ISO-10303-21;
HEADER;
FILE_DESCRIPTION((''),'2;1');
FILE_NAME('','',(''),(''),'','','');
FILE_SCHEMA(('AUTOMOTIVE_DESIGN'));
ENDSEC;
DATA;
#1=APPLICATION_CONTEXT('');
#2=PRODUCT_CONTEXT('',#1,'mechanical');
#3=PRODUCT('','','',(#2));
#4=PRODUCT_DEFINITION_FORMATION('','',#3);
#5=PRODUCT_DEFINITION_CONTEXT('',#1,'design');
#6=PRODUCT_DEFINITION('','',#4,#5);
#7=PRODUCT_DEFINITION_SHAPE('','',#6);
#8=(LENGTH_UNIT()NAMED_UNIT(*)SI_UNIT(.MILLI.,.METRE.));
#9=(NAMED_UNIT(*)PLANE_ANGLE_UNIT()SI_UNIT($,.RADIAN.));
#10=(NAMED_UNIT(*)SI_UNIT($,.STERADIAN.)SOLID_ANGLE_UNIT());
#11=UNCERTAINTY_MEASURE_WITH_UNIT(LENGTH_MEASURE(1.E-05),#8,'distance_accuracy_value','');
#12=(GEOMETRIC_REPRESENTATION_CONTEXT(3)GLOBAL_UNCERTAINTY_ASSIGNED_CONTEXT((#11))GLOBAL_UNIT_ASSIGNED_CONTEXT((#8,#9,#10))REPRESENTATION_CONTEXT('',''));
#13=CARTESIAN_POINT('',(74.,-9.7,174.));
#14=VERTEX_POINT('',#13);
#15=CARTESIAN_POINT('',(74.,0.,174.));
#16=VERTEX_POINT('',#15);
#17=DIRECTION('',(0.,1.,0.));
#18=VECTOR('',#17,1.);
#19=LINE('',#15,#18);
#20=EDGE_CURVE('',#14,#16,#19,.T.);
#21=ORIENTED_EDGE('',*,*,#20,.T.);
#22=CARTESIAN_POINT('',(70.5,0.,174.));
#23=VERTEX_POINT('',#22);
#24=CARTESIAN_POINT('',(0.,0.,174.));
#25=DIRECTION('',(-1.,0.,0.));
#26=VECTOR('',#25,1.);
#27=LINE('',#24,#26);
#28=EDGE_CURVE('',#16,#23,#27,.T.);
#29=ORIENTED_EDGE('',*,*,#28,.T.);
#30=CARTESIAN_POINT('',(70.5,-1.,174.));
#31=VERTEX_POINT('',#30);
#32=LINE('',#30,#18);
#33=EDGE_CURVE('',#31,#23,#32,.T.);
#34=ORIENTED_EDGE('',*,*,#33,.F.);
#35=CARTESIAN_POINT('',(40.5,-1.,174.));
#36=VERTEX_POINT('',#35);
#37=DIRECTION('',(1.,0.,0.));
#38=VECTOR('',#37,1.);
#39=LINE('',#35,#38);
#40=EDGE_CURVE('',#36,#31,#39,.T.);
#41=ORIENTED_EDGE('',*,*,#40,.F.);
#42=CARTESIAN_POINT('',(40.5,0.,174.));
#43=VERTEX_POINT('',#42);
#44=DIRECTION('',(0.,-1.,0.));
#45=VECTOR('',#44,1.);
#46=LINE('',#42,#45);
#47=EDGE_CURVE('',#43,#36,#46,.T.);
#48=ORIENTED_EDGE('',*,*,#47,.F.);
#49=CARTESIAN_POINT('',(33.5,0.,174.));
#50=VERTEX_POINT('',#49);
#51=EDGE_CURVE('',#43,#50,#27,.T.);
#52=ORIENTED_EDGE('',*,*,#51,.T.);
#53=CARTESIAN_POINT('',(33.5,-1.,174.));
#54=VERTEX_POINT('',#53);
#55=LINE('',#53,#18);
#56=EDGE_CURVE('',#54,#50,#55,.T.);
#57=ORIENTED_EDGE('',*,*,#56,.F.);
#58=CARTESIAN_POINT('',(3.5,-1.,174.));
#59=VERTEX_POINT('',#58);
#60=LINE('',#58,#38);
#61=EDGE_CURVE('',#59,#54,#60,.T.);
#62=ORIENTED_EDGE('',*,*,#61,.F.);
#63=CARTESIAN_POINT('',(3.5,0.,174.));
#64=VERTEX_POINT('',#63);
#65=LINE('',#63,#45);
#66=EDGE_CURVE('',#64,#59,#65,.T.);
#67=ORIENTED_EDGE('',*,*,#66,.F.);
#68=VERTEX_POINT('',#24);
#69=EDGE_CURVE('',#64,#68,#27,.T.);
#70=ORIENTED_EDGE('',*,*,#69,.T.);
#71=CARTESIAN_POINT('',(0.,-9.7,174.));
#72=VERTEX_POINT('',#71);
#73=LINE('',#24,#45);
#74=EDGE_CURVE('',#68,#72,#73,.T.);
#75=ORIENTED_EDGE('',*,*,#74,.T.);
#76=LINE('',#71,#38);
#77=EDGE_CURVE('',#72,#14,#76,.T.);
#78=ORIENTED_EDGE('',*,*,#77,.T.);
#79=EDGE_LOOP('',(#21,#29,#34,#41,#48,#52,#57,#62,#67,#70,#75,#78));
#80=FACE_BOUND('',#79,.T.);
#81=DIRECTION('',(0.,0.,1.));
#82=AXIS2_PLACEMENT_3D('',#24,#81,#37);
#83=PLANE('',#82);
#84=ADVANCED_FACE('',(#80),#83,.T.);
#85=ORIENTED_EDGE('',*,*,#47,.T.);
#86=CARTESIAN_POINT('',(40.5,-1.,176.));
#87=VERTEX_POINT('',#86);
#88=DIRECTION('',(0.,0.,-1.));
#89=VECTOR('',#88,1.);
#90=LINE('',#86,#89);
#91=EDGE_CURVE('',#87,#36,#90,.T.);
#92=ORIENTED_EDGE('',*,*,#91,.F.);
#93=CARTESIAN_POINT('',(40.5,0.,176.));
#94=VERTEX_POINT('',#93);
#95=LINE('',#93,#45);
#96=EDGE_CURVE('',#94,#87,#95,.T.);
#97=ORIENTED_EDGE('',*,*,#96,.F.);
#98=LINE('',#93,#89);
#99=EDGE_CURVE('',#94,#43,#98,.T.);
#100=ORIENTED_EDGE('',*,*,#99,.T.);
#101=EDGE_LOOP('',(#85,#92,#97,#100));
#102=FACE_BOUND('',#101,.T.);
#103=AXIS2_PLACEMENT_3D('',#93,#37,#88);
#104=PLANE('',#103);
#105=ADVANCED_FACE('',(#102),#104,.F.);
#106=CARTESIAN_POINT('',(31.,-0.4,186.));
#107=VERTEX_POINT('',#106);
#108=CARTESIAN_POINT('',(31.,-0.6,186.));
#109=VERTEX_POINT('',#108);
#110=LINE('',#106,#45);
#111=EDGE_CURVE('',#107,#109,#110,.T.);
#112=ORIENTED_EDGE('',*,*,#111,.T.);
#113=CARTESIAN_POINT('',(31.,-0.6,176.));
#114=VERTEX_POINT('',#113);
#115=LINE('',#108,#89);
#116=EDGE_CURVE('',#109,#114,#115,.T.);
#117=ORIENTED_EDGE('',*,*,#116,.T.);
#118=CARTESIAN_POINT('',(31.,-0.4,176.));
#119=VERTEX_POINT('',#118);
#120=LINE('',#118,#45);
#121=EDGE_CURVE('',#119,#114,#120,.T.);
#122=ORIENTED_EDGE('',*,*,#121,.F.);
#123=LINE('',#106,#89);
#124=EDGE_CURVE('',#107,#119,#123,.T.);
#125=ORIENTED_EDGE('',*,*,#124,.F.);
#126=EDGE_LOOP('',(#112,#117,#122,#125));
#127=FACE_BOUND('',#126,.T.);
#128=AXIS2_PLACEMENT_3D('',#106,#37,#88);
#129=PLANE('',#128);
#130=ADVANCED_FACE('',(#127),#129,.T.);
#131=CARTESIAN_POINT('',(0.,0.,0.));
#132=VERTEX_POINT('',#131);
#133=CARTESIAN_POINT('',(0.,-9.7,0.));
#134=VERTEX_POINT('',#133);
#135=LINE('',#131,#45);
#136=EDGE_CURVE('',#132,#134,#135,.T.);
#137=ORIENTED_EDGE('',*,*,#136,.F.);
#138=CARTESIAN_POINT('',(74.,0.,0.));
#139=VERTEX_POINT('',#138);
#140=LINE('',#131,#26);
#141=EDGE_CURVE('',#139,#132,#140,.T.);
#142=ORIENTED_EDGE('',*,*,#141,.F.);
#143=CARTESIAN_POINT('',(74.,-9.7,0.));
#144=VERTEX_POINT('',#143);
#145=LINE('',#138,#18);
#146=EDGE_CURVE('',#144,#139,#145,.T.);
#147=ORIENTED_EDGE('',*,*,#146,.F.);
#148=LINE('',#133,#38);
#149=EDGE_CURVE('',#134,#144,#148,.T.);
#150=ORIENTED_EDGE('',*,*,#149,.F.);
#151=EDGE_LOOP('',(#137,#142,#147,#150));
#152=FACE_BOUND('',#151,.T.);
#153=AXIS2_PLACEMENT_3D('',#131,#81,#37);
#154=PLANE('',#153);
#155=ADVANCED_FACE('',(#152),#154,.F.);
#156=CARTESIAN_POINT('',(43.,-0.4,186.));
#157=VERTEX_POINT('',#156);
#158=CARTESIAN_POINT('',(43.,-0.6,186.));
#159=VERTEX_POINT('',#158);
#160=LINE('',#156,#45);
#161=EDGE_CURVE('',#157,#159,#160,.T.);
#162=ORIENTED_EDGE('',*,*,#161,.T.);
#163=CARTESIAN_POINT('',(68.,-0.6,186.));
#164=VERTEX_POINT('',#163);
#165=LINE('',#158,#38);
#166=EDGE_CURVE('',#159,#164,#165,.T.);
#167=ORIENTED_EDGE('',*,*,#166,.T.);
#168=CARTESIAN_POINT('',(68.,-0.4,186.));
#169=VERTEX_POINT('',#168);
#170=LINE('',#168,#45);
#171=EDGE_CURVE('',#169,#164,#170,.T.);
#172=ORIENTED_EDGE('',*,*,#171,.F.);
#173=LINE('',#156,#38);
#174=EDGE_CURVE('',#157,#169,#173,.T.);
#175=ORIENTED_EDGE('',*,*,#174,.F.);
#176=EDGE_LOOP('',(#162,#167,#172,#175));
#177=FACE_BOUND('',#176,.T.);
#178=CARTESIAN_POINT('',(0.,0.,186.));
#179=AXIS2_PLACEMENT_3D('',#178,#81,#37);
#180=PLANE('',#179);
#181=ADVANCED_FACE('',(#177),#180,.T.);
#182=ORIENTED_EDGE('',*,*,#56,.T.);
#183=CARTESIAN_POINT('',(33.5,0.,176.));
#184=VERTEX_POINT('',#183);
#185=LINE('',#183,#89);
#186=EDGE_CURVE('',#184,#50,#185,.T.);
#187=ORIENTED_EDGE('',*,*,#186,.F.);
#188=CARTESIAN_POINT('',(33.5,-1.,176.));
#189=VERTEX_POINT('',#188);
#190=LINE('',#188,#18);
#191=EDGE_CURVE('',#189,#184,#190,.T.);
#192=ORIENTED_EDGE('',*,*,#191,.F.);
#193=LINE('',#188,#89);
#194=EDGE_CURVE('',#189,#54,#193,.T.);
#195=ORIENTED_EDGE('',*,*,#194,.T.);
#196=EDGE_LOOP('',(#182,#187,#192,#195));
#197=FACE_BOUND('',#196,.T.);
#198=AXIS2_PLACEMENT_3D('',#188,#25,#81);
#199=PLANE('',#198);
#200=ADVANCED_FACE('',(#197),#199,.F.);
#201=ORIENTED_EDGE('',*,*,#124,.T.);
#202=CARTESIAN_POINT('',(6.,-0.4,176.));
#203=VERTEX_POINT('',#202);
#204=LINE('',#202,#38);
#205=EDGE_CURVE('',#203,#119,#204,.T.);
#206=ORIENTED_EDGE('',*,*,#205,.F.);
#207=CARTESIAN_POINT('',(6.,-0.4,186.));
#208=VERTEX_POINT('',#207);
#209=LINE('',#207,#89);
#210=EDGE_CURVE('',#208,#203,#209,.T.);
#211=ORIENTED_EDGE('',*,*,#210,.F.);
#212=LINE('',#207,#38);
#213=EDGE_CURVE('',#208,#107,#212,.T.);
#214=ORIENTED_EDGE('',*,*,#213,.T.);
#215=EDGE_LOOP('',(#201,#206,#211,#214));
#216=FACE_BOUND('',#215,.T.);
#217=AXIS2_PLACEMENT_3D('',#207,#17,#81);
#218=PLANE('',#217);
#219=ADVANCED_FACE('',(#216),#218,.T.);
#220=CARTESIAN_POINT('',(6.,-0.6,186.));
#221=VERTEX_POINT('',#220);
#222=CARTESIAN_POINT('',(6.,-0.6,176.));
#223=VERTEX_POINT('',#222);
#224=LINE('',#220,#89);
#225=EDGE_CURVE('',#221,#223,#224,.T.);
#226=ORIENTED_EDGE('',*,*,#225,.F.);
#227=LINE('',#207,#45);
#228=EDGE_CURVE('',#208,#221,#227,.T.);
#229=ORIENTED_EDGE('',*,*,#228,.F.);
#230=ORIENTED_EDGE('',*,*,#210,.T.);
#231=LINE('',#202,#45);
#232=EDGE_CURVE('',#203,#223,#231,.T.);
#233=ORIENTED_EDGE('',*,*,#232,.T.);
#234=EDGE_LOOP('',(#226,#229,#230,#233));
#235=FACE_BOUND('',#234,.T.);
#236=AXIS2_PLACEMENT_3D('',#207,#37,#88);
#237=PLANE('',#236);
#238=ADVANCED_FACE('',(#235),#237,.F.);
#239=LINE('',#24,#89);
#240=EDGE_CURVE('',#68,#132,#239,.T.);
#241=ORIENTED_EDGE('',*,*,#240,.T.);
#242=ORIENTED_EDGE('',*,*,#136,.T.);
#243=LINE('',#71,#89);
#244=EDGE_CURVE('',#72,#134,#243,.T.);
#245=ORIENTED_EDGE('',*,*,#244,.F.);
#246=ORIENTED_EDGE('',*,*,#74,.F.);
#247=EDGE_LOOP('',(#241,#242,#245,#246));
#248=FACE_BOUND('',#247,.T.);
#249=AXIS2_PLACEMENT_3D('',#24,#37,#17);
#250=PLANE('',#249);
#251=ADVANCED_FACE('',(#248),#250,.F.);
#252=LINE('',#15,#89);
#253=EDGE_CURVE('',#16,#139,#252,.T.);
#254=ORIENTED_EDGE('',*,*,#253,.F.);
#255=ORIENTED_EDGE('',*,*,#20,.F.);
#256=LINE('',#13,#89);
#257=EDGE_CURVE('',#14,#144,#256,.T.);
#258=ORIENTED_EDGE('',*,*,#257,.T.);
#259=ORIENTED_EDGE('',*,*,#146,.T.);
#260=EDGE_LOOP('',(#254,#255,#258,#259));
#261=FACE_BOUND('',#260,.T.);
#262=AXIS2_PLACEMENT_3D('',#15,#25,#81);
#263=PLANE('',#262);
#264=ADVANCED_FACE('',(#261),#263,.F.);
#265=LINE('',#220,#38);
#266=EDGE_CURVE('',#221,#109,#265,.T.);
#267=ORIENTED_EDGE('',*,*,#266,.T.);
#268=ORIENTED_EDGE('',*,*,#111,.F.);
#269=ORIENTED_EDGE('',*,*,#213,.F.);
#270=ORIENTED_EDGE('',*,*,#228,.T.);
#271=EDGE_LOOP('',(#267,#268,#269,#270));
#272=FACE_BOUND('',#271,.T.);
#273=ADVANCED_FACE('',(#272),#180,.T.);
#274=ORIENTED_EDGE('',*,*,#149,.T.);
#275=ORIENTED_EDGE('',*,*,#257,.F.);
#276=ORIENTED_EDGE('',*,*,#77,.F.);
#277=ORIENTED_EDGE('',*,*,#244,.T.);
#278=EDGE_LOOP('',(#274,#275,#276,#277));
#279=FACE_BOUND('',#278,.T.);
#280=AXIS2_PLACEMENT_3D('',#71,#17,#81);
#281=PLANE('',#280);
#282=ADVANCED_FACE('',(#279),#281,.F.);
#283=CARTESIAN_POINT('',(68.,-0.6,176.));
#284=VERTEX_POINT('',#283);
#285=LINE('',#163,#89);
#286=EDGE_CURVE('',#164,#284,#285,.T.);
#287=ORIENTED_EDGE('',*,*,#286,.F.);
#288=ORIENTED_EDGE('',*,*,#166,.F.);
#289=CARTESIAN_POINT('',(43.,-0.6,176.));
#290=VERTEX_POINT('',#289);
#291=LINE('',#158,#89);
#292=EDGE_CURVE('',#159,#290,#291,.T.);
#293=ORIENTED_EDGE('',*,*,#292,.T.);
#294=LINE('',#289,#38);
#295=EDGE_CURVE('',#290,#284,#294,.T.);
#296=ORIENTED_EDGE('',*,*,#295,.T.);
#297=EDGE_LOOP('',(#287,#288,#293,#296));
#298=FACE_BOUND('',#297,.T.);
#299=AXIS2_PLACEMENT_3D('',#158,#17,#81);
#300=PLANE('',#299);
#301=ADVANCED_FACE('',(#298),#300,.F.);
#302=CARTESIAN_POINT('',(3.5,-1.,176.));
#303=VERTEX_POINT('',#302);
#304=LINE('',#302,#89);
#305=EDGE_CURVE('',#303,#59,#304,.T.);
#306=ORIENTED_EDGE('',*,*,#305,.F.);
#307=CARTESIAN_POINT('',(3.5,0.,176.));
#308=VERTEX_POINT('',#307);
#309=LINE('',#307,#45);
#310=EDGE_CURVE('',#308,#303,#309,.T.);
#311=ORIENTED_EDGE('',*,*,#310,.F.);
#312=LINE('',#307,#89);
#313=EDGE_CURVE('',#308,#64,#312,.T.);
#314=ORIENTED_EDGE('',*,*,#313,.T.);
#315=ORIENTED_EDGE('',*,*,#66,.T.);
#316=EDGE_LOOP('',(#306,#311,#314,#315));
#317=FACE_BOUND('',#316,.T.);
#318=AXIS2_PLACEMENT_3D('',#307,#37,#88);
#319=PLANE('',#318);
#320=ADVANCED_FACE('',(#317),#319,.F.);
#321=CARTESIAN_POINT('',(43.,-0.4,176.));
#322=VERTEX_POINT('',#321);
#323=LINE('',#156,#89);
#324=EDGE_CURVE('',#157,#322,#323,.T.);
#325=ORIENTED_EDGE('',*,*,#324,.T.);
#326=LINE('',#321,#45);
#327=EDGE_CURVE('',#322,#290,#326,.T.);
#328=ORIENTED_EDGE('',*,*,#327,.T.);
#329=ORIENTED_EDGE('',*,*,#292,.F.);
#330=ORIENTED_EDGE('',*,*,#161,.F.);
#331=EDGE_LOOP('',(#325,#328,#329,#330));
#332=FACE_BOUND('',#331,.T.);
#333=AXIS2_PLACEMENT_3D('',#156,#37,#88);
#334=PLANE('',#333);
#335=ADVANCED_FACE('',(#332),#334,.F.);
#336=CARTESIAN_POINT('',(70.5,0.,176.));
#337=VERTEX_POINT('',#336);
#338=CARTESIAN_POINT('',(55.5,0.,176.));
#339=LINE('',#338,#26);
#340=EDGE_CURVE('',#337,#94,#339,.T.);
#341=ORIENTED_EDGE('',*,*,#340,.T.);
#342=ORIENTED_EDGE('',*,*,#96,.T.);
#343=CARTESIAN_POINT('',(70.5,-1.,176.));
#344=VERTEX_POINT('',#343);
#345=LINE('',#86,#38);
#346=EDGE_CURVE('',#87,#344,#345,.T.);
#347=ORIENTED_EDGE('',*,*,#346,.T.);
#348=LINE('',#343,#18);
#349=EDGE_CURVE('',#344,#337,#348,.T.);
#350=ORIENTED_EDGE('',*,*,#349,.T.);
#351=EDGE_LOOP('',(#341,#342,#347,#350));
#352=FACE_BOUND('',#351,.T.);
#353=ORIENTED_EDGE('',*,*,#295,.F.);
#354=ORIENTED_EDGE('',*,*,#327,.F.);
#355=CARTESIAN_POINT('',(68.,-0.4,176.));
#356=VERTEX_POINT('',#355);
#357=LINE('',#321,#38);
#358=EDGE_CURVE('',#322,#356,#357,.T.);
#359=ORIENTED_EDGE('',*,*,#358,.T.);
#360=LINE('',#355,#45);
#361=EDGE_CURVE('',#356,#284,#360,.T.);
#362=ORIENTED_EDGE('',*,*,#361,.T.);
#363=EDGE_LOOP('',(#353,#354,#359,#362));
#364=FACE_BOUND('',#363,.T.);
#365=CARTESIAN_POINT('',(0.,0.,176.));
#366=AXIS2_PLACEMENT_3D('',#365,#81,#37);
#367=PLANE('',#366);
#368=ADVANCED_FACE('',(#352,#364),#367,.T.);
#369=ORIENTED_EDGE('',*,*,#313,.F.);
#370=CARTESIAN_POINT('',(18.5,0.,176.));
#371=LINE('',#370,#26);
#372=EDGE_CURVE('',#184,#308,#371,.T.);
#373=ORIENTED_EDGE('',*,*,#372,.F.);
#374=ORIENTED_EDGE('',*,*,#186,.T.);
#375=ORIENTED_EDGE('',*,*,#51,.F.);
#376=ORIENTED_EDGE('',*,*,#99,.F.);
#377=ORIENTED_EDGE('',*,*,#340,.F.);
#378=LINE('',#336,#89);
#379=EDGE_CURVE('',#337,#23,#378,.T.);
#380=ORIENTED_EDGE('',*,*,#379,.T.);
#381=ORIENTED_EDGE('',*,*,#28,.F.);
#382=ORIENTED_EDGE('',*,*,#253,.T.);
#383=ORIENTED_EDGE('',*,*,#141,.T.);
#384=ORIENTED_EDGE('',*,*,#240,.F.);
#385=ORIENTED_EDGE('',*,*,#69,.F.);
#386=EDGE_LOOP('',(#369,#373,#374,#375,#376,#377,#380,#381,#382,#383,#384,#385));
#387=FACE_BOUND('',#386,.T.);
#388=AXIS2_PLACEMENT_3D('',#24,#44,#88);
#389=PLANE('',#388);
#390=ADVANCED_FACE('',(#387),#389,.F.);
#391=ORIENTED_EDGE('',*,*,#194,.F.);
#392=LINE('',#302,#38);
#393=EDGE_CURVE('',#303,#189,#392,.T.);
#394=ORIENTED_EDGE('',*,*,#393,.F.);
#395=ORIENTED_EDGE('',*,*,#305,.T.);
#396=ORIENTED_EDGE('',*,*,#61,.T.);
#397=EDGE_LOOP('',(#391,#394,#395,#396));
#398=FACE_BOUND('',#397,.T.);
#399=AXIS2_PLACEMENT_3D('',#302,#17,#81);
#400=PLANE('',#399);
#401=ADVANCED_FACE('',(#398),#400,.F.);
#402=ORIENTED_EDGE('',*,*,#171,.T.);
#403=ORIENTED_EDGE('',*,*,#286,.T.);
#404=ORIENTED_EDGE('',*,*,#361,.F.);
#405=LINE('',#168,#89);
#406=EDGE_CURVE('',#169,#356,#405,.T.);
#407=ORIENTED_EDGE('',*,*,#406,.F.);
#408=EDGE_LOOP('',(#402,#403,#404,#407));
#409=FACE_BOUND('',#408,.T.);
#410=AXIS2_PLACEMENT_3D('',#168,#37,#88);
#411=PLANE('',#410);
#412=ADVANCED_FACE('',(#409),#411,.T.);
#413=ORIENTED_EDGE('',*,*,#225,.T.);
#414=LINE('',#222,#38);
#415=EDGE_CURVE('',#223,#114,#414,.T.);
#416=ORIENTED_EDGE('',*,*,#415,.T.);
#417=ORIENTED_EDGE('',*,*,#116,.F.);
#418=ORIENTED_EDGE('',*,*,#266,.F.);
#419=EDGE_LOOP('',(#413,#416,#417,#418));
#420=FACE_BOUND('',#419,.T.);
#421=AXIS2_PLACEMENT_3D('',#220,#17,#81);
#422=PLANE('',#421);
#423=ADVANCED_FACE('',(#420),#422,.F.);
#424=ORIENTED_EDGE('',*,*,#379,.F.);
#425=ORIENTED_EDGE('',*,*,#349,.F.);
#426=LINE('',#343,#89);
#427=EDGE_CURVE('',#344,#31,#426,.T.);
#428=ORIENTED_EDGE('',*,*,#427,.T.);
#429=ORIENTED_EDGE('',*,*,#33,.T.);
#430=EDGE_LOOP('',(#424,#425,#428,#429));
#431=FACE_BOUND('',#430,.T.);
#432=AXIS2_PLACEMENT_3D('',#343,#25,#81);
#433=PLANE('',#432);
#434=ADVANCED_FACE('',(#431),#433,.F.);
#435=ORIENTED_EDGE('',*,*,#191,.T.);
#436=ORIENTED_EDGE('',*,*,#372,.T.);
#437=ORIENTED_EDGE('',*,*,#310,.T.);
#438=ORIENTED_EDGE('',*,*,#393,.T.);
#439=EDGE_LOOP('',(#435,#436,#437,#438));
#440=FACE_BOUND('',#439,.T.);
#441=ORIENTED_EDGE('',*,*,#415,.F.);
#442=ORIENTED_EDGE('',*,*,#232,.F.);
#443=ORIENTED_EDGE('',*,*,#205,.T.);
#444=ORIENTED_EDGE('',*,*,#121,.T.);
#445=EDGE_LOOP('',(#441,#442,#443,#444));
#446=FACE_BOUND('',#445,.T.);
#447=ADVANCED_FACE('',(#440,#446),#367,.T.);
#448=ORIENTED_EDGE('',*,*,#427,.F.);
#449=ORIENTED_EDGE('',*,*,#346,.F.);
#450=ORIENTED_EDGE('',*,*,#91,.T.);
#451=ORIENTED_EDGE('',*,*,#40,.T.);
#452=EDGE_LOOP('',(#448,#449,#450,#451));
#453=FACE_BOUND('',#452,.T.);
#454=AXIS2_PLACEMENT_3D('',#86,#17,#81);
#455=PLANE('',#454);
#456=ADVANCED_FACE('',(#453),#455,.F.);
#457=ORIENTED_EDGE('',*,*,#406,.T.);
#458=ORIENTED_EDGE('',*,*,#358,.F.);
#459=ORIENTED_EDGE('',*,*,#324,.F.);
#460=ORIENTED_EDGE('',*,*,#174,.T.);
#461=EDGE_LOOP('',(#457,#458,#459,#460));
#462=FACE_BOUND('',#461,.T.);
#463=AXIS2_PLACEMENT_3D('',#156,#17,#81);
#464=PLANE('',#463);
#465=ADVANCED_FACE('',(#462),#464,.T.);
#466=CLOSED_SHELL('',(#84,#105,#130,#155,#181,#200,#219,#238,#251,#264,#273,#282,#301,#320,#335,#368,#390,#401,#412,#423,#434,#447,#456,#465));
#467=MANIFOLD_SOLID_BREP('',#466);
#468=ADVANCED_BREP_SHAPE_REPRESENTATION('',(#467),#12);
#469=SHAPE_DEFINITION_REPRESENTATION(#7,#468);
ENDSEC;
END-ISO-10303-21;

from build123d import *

# Parameters (mm, degrees)
SZKIC1_W                    = 74
SZKIC1_H                    = 9.7
DODANIE_WYCI_GNI_CIE1_DEPTH = 174
DODANIE_WYCI_GNI_CIE2_DEPTH = 2
SZKIC3_W                    = 25
SZKIC3_H                    = 0.2
DODANIE_WYCI_GNI_CIE3_DEPTH = 10
SZKIC4_W                    = 25
SZKIC4_H                    = 0.2
DODANIE_WYCI_GNI_CIE4_DEPTH = 10


with BuildPart() as part:
    # Szkic1 → Dodanie-wyciągnięcie1 (new body)
    with BuildSketch(Plane.XY):
        with Locations((37, -4.85)):
            Rectangle(SZKIC1_W, SZKIC1_H)
    extrude(amount=DODANIE_WYCI_GNI_CIE1_DEPTH)

    # Szkic2 → Dodanie-wyciągnięcie2 (add)
    with BuildSketch(Plane.XY.offset(174)):
        Polygon((3.5, 0), (3.5, -1), (33.5, -1), (33.5, 0), (18.5, 0), align=None)
        Polygon((40.5, 0), (40.5, -1), (70.5, -1), (70.5, 0), (55.5, 0), align=None)
    extrude(amount=DODANIE_WYCI_GNI_CIE2_DEPTH)

    # Szkic3 → Dodanie-wyciągnięcie3 (add)
    with BuildSketch(Plane.XY.offset(176)):
        with Locations((18.5, -0.5)):
            Rectangle(SZKIC3_W, SZKIC3_H)
    extrude(amount=DODANIE_WYCI_GNI_CIE3_DEPTH)

    # Szkic4 → Dodanie-wyciągnięcie4 (add)
    with BuildSketch(Plane.XY.offset(176)):
        with Locations((55.5, -0.5)):
            Rectangle(SZKIC4_W, SZKIC4_H)
    extrude(amount=DODANIE_WYCI_GNI_CIE4_DEPTH)


solid = part.part
